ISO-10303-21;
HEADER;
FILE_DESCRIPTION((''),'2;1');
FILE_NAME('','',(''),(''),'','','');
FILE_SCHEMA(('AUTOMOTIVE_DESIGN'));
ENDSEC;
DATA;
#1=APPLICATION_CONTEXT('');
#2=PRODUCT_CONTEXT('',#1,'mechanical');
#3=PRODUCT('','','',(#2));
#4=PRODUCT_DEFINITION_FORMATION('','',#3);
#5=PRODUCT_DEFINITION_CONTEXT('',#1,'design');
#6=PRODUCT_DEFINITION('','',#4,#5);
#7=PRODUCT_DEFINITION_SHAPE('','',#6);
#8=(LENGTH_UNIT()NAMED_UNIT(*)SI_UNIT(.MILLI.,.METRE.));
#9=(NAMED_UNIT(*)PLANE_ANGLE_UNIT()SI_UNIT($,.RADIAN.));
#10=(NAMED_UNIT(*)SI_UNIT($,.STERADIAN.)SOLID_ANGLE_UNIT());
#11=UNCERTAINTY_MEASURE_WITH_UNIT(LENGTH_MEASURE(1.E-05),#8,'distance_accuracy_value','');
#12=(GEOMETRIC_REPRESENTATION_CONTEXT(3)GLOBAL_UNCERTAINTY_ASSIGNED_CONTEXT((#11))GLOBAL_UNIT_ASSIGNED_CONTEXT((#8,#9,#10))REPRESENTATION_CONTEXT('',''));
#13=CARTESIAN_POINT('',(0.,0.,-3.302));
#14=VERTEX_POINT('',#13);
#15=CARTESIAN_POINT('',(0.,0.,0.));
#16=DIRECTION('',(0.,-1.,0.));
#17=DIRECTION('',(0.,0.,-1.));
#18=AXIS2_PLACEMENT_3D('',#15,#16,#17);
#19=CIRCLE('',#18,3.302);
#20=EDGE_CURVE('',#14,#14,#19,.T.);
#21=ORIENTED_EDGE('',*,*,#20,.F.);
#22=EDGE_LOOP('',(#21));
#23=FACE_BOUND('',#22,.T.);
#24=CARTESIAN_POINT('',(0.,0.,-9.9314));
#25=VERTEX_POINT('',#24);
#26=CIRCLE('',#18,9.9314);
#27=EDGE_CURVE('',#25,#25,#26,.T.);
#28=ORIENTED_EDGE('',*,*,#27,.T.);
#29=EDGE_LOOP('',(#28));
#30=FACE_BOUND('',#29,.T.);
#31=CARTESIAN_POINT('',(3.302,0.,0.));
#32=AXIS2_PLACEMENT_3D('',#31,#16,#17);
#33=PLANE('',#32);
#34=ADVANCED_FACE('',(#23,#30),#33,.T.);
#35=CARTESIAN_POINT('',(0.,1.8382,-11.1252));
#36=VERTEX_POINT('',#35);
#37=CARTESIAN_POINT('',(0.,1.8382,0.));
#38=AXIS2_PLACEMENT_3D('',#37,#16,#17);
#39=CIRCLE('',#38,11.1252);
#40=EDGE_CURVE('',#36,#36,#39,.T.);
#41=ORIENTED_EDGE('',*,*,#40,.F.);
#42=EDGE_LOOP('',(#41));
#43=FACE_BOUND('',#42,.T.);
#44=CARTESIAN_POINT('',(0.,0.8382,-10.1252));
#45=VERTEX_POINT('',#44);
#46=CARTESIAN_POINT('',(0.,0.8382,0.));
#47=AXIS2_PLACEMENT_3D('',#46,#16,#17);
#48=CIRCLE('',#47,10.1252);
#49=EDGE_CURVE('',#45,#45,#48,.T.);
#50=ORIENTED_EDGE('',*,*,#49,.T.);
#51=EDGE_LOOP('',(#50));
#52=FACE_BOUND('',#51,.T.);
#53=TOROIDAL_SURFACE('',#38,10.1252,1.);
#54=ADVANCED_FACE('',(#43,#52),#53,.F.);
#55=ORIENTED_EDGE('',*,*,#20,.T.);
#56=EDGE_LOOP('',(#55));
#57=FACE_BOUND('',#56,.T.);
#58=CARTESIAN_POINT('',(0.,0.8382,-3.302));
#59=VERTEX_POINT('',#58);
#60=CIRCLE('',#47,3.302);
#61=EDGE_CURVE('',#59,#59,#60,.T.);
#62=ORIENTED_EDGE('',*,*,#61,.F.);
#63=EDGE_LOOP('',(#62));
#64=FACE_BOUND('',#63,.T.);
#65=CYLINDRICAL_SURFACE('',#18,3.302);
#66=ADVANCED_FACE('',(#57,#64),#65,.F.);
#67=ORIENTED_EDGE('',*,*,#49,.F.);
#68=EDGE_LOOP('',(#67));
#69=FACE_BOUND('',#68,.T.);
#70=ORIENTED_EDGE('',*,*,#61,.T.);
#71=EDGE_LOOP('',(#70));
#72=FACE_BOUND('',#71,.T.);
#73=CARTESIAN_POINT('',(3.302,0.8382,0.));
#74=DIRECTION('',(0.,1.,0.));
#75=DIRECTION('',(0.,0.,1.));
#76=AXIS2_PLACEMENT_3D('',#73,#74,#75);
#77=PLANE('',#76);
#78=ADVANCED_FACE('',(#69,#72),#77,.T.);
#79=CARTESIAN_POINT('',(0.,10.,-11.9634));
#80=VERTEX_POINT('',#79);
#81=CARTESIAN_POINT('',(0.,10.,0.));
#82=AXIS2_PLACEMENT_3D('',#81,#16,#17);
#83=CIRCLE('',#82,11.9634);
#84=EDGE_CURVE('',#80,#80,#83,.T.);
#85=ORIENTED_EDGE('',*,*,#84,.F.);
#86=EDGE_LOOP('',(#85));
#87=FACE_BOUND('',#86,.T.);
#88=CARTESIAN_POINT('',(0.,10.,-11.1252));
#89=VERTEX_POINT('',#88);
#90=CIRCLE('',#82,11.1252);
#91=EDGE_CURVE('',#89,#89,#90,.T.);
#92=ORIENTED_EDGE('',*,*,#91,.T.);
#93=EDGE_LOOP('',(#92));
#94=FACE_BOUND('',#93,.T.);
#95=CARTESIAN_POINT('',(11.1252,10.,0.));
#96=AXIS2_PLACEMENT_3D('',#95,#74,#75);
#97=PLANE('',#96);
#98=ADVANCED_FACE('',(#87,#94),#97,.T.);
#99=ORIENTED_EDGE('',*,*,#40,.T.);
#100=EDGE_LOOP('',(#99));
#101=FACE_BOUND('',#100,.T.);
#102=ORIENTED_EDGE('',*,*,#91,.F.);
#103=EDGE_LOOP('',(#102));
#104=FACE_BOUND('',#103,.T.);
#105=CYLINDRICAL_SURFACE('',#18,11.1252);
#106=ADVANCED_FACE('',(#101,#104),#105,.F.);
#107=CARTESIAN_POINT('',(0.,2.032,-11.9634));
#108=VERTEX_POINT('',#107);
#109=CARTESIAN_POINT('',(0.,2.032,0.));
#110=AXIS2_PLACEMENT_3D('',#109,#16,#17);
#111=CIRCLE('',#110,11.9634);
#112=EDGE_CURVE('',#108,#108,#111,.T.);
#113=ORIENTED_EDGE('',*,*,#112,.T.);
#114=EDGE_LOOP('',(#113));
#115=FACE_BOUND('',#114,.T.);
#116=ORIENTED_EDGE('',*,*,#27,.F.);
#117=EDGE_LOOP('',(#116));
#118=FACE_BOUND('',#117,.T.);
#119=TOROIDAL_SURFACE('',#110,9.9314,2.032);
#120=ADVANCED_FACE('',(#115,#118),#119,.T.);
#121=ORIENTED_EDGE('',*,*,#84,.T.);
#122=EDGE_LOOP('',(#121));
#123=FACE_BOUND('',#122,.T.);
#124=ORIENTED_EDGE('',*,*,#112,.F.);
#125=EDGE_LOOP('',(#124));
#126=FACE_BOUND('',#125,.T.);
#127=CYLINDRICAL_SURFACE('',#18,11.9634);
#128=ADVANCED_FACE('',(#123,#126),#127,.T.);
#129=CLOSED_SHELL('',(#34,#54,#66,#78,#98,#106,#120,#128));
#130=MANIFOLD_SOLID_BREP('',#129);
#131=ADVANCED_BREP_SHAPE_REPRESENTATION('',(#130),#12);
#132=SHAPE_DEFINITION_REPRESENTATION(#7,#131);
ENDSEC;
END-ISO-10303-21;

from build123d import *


with BuildPart() as part:
    # Sketch1 → Revolve1 (revolve)
    with BuildSketch(Plane.XY, mode=Mode.PRIVATE) as revolve1_sk:
        with BuildLine():
            Line((3.302, 0), (9.9314, 0))
            ThreePointArc((9.9314, 0), (11.368240979, 0.595159021), (11.9634, 2.032))
            Line((11.9634, 2.032), (11.9634, 10))
            Line((11.9634, 10), (11.1252, 10))
            Line((11.1252, 10), (11.1252, 1.8382))
            ThreePointArc((11.1252, 1.8382), (10.832306781, 1.131093219), (10.1252, 0.8382))
            Line((10.1252, 0.8382), (3.302, 0.8382))
            Line((3.302, 0.8382), (3.302, 0))
        make_face()
    revolve(revolve1_sk.sketch.rotate(Axis((0, 0, 0), (0, 1, 0)), 90), axis=Axis((0, 0, 0), (0, 1, 0)))  # turned: the seam where the file's is


solid = part.part
